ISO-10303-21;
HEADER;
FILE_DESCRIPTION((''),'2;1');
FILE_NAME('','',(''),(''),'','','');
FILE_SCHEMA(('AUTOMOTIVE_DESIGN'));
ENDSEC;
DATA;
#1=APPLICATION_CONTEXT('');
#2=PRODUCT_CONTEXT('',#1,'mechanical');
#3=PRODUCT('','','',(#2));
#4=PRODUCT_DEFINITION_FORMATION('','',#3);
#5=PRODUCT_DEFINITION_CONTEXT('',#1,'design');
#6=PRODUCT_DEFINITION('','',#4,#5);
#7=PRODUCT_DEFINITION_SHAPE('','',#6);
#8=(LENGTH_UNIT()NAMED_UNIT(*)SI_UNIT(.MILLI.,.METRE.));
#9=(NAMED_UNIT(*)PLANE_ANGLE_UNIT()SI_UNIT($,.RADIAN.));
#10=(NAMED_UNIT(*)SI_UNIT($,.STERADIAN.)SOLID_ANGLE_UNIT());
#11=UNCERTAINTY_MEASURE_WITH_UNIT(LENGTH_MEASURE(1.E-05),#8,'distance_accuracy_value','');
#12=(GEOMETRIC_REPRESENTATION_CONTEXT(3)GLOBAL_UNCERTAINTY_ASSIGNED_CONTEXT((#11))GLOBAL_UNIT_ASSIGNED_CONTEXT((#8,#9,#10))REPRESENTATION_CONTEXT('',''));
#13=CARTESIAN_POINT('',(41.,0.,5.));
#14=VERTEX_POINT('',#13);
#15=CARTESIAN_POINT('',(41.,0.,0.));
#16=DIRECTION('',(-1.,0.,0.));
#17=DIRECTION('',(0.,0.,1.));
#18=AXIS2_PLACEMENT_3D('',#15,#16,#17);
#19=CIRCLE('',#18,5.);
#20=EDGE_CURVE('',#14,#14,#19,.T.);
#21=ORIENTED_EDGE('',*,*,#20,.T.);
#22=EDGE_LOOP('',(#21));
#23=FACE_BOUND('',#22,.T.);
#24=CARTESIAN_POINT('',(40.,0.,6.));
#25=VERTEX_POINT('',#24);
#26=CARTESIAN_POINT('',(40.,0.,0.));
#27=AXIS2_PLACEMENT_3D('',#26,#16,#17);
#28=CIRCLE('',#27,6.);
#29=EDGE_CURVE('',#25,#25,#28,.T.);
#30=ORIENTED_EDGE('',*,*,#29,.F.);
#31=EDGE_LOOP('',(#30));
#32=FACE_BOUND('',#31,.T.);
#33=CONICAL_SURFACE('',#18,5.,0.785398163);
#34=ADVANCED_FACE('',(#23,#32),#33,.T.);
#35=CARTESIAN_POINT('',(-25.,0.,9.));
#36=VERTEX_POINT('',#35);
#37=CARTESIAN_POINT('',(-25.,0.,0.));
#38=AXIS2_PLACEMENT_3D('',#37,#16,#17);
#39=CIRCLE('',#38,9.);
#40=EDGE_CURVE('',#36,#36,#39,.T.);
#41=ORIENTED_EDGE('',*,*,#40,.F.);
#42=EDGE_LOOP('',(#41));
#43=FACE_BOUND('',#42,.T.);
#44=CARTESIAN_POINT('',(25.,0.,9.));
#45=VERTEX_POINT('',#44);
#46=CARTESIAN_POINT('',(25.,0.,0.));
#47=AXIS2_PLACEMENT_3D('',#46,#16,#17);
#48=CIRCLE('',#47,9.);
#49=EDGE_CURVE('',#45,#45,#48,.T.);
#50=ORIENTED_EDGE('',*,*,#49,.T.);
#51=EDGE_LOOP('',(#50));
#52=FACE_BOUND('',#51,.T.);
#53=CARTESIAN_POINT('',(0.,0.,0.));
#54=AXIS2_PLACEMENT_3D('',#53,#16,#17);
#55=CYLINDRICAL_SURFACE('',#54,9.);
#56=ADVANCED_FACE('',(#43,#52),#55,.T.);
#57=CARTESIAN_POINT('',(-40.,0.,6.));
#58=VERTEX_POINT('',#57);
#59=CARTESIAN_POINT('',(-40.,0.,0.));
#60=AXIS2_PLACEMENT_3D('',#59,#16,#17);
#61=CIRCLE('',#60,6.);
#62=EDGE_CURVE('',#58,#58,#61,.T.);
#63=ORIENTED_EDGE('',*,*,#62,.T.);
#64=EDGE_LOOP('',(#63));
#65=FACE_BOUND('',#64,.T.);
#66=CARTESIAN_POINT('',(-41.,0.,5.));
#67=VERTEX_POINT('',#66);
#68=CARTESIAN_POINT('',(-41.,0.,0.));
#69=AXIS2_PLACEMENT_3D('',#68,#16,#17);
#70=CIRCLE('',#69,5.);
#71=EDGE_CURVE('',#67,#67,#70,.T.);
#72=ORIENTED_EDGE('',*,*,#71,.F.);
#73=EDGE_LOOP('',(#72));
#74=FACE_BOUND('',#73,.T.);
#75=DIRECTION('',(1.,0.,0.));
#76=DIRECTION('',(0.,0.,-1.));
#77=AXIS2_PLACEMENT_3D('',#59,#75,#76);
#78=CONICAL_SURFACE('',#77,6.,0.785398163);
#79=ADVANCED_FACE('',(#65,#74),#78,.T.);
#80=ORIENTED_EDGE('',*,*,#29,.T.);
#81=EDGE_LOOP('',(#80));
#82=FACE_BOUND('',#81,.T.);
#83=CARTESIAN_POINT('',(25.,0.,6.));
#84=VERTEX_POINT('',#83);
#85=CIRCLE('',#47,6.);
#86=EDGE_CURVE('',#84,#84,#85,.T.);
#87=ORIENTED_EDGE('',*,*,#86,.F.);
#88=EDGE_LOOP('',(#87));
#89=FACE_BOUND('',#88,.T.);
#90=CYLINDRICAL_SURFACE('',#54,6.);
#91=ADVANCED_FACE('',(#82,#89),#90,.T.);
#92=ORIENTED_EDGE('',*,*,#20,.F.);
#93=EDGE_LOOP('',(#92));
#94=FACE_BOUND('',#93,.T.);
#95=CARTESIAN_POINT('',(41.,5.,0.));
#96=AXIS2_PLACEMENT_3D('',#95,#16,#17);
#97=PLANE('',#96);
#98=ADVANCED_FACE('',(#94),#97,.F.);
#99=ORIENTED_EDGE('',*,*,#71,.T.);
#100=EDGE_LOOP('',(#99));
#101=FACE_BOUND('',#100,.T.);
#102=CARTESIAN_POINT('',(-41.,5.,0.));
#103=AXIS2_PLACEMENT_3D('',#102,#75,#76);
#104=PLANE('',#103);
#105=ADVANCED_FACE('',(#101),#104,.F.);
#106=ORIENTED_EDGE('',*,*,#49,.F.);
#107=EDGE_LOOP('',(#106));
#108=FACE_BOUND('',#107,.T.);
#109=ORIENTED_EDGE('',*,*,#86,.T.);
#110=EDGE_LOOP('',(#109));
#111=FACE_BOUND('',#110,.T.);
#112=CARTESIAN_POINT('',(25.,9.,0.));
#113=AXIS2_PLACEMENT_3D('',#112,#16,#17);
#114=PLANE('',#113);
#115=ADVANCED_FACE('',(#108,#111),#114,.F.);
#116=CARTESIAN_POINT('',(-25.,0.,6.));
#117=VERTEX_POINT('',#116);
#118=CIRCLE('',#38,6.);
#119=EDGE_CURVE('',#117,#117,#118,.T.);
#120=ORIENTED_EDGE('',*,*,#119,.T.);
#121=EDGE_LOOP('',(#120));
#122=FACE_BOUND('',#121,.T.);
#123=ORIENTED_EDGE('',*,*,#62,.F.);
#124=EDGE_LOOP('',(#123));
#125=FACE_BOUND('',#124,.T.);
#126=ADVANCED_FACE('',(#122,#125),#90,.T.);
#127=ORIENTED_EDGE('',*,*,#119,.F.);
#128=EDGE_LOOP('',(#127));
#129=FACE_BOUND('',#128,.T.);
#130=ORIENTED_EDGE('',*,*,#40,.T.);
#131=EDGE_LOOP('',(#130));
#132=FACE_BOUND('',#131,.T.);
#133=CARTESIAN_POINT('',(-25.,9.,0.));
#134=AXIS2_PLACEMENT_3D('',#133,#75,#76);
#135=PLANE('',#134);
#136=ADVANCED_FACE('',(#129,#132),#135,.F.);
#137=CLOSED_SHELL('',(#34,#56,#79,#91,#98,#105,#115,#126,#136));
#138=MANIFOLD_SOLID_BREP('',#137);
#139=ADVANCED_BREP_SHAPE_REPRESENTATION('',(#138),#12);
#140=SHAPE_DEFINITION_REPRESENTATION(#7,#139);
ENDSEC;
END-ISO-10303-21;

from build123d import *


with BuildPart() as part:
    # Sketch1 → Revolve1 (revolve)
    with BuildSketch(Plane.XY, mode=Mode.PRIVATE) as revolve1_sk:
        Polygon((40, 6), (41, 5), (41, 0), (-41, 0), (-41, 5), (-40, 6), (-25, 6), (-25, 9), (25, 9), (25, 6), align=None)
    revolve(revolve1_sk.sketch.rotate(Axis((0, 0, 0), (1, 0, 0)), 90), axis=Axis((0, 0, 0), (1, 0, 0)))


solid = part.part
